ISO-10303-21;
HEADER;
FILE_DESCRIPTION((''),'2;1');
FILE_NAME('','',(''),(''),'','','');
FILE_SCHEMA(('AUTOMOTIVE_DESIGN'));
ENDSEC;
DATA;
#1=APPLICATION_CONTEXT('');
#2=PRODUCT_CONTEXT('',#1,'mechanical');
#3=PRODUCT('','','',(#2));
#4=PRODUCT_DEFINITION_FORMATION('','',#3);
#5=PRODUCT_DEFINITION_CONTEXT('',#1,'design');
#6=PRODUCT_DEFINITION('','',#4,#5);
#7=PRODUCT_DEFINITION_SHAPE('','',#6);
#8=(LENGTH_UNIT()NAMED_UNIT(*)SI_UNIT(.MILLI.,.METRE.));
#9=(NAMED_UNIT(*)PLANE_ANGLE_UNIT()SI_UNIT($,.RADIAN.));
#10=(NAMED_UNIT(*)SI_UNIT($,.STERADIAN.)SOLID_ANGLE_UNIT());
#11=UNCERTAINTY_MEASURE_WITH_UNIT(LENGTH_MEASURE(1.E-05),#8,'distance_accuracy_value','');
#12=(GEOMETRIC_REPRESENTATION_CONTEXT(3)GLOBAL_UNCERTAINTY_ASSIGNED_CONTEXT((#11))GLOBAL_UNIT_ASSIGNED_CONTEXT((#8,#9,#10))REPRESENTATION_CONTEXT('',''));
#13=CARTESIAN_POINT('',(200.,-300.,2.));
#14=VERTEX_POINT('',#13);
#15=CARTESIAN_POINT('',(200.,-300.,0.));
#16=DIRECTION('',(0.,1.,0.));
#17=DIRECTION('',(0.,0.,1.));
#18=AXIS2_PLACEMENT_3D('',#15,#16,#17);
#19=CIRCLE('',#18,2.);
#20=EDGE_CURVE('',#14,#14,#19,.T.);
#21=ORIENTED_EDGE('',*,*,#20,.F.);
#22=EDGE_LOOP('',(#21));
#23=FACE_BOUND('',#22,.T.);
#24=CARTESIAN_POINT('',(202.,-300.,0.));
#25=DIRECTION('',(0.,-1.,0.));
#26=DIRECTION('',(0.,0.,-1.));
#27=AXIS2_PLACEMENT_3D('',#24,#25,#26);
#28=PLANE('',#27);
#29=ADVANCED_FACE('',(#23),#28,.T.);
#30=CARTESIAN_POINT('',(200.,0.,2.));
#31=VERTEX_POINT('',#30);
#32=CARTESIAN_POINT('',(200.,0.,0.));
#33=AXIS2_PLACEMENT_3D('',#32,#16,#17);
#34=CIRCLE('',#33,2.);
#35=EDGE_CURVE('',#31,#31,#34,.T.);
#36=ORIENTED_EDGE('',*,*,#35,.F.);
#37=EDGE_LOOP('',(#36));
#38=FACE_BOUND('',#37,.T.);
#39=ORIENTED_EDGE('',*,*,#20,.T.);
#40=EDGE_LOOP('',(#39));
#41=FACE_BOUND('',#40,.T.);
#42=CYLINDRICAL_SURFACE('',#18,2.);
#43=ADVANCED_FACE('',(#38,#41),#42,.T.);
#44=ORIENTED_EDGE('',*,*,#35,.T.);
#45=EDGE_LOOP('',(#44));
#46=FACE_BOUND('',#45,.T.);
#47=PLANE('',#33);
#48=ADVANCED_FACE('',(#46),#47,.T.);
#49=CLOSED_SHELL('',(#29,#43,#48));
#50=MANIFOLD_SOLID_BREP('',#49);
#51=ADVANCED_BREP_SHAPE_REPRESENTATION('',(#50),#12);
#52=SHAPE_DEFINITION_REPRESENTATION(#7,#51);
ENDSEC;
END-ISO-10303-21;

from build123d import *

# Parameters (mm, degrees)
SKETCH_1_W = 2
SKETCH_1_H = 300


with BuildPart() as part:
    # 草图1 → 旋转1 (revolve)
    with BuildSketch(Plane(origin=(0, 0, 0), x_dir=(-1, 0, 0), z_dir=(0, 0, -1))):
        with Locations((-201, -150)):
            Rectangle(SKETCH_1_W, SKETCH_1_H)
    revolve(axis=Axis((200, -300, 0), (0, 1, 0)))


solid = part.part
